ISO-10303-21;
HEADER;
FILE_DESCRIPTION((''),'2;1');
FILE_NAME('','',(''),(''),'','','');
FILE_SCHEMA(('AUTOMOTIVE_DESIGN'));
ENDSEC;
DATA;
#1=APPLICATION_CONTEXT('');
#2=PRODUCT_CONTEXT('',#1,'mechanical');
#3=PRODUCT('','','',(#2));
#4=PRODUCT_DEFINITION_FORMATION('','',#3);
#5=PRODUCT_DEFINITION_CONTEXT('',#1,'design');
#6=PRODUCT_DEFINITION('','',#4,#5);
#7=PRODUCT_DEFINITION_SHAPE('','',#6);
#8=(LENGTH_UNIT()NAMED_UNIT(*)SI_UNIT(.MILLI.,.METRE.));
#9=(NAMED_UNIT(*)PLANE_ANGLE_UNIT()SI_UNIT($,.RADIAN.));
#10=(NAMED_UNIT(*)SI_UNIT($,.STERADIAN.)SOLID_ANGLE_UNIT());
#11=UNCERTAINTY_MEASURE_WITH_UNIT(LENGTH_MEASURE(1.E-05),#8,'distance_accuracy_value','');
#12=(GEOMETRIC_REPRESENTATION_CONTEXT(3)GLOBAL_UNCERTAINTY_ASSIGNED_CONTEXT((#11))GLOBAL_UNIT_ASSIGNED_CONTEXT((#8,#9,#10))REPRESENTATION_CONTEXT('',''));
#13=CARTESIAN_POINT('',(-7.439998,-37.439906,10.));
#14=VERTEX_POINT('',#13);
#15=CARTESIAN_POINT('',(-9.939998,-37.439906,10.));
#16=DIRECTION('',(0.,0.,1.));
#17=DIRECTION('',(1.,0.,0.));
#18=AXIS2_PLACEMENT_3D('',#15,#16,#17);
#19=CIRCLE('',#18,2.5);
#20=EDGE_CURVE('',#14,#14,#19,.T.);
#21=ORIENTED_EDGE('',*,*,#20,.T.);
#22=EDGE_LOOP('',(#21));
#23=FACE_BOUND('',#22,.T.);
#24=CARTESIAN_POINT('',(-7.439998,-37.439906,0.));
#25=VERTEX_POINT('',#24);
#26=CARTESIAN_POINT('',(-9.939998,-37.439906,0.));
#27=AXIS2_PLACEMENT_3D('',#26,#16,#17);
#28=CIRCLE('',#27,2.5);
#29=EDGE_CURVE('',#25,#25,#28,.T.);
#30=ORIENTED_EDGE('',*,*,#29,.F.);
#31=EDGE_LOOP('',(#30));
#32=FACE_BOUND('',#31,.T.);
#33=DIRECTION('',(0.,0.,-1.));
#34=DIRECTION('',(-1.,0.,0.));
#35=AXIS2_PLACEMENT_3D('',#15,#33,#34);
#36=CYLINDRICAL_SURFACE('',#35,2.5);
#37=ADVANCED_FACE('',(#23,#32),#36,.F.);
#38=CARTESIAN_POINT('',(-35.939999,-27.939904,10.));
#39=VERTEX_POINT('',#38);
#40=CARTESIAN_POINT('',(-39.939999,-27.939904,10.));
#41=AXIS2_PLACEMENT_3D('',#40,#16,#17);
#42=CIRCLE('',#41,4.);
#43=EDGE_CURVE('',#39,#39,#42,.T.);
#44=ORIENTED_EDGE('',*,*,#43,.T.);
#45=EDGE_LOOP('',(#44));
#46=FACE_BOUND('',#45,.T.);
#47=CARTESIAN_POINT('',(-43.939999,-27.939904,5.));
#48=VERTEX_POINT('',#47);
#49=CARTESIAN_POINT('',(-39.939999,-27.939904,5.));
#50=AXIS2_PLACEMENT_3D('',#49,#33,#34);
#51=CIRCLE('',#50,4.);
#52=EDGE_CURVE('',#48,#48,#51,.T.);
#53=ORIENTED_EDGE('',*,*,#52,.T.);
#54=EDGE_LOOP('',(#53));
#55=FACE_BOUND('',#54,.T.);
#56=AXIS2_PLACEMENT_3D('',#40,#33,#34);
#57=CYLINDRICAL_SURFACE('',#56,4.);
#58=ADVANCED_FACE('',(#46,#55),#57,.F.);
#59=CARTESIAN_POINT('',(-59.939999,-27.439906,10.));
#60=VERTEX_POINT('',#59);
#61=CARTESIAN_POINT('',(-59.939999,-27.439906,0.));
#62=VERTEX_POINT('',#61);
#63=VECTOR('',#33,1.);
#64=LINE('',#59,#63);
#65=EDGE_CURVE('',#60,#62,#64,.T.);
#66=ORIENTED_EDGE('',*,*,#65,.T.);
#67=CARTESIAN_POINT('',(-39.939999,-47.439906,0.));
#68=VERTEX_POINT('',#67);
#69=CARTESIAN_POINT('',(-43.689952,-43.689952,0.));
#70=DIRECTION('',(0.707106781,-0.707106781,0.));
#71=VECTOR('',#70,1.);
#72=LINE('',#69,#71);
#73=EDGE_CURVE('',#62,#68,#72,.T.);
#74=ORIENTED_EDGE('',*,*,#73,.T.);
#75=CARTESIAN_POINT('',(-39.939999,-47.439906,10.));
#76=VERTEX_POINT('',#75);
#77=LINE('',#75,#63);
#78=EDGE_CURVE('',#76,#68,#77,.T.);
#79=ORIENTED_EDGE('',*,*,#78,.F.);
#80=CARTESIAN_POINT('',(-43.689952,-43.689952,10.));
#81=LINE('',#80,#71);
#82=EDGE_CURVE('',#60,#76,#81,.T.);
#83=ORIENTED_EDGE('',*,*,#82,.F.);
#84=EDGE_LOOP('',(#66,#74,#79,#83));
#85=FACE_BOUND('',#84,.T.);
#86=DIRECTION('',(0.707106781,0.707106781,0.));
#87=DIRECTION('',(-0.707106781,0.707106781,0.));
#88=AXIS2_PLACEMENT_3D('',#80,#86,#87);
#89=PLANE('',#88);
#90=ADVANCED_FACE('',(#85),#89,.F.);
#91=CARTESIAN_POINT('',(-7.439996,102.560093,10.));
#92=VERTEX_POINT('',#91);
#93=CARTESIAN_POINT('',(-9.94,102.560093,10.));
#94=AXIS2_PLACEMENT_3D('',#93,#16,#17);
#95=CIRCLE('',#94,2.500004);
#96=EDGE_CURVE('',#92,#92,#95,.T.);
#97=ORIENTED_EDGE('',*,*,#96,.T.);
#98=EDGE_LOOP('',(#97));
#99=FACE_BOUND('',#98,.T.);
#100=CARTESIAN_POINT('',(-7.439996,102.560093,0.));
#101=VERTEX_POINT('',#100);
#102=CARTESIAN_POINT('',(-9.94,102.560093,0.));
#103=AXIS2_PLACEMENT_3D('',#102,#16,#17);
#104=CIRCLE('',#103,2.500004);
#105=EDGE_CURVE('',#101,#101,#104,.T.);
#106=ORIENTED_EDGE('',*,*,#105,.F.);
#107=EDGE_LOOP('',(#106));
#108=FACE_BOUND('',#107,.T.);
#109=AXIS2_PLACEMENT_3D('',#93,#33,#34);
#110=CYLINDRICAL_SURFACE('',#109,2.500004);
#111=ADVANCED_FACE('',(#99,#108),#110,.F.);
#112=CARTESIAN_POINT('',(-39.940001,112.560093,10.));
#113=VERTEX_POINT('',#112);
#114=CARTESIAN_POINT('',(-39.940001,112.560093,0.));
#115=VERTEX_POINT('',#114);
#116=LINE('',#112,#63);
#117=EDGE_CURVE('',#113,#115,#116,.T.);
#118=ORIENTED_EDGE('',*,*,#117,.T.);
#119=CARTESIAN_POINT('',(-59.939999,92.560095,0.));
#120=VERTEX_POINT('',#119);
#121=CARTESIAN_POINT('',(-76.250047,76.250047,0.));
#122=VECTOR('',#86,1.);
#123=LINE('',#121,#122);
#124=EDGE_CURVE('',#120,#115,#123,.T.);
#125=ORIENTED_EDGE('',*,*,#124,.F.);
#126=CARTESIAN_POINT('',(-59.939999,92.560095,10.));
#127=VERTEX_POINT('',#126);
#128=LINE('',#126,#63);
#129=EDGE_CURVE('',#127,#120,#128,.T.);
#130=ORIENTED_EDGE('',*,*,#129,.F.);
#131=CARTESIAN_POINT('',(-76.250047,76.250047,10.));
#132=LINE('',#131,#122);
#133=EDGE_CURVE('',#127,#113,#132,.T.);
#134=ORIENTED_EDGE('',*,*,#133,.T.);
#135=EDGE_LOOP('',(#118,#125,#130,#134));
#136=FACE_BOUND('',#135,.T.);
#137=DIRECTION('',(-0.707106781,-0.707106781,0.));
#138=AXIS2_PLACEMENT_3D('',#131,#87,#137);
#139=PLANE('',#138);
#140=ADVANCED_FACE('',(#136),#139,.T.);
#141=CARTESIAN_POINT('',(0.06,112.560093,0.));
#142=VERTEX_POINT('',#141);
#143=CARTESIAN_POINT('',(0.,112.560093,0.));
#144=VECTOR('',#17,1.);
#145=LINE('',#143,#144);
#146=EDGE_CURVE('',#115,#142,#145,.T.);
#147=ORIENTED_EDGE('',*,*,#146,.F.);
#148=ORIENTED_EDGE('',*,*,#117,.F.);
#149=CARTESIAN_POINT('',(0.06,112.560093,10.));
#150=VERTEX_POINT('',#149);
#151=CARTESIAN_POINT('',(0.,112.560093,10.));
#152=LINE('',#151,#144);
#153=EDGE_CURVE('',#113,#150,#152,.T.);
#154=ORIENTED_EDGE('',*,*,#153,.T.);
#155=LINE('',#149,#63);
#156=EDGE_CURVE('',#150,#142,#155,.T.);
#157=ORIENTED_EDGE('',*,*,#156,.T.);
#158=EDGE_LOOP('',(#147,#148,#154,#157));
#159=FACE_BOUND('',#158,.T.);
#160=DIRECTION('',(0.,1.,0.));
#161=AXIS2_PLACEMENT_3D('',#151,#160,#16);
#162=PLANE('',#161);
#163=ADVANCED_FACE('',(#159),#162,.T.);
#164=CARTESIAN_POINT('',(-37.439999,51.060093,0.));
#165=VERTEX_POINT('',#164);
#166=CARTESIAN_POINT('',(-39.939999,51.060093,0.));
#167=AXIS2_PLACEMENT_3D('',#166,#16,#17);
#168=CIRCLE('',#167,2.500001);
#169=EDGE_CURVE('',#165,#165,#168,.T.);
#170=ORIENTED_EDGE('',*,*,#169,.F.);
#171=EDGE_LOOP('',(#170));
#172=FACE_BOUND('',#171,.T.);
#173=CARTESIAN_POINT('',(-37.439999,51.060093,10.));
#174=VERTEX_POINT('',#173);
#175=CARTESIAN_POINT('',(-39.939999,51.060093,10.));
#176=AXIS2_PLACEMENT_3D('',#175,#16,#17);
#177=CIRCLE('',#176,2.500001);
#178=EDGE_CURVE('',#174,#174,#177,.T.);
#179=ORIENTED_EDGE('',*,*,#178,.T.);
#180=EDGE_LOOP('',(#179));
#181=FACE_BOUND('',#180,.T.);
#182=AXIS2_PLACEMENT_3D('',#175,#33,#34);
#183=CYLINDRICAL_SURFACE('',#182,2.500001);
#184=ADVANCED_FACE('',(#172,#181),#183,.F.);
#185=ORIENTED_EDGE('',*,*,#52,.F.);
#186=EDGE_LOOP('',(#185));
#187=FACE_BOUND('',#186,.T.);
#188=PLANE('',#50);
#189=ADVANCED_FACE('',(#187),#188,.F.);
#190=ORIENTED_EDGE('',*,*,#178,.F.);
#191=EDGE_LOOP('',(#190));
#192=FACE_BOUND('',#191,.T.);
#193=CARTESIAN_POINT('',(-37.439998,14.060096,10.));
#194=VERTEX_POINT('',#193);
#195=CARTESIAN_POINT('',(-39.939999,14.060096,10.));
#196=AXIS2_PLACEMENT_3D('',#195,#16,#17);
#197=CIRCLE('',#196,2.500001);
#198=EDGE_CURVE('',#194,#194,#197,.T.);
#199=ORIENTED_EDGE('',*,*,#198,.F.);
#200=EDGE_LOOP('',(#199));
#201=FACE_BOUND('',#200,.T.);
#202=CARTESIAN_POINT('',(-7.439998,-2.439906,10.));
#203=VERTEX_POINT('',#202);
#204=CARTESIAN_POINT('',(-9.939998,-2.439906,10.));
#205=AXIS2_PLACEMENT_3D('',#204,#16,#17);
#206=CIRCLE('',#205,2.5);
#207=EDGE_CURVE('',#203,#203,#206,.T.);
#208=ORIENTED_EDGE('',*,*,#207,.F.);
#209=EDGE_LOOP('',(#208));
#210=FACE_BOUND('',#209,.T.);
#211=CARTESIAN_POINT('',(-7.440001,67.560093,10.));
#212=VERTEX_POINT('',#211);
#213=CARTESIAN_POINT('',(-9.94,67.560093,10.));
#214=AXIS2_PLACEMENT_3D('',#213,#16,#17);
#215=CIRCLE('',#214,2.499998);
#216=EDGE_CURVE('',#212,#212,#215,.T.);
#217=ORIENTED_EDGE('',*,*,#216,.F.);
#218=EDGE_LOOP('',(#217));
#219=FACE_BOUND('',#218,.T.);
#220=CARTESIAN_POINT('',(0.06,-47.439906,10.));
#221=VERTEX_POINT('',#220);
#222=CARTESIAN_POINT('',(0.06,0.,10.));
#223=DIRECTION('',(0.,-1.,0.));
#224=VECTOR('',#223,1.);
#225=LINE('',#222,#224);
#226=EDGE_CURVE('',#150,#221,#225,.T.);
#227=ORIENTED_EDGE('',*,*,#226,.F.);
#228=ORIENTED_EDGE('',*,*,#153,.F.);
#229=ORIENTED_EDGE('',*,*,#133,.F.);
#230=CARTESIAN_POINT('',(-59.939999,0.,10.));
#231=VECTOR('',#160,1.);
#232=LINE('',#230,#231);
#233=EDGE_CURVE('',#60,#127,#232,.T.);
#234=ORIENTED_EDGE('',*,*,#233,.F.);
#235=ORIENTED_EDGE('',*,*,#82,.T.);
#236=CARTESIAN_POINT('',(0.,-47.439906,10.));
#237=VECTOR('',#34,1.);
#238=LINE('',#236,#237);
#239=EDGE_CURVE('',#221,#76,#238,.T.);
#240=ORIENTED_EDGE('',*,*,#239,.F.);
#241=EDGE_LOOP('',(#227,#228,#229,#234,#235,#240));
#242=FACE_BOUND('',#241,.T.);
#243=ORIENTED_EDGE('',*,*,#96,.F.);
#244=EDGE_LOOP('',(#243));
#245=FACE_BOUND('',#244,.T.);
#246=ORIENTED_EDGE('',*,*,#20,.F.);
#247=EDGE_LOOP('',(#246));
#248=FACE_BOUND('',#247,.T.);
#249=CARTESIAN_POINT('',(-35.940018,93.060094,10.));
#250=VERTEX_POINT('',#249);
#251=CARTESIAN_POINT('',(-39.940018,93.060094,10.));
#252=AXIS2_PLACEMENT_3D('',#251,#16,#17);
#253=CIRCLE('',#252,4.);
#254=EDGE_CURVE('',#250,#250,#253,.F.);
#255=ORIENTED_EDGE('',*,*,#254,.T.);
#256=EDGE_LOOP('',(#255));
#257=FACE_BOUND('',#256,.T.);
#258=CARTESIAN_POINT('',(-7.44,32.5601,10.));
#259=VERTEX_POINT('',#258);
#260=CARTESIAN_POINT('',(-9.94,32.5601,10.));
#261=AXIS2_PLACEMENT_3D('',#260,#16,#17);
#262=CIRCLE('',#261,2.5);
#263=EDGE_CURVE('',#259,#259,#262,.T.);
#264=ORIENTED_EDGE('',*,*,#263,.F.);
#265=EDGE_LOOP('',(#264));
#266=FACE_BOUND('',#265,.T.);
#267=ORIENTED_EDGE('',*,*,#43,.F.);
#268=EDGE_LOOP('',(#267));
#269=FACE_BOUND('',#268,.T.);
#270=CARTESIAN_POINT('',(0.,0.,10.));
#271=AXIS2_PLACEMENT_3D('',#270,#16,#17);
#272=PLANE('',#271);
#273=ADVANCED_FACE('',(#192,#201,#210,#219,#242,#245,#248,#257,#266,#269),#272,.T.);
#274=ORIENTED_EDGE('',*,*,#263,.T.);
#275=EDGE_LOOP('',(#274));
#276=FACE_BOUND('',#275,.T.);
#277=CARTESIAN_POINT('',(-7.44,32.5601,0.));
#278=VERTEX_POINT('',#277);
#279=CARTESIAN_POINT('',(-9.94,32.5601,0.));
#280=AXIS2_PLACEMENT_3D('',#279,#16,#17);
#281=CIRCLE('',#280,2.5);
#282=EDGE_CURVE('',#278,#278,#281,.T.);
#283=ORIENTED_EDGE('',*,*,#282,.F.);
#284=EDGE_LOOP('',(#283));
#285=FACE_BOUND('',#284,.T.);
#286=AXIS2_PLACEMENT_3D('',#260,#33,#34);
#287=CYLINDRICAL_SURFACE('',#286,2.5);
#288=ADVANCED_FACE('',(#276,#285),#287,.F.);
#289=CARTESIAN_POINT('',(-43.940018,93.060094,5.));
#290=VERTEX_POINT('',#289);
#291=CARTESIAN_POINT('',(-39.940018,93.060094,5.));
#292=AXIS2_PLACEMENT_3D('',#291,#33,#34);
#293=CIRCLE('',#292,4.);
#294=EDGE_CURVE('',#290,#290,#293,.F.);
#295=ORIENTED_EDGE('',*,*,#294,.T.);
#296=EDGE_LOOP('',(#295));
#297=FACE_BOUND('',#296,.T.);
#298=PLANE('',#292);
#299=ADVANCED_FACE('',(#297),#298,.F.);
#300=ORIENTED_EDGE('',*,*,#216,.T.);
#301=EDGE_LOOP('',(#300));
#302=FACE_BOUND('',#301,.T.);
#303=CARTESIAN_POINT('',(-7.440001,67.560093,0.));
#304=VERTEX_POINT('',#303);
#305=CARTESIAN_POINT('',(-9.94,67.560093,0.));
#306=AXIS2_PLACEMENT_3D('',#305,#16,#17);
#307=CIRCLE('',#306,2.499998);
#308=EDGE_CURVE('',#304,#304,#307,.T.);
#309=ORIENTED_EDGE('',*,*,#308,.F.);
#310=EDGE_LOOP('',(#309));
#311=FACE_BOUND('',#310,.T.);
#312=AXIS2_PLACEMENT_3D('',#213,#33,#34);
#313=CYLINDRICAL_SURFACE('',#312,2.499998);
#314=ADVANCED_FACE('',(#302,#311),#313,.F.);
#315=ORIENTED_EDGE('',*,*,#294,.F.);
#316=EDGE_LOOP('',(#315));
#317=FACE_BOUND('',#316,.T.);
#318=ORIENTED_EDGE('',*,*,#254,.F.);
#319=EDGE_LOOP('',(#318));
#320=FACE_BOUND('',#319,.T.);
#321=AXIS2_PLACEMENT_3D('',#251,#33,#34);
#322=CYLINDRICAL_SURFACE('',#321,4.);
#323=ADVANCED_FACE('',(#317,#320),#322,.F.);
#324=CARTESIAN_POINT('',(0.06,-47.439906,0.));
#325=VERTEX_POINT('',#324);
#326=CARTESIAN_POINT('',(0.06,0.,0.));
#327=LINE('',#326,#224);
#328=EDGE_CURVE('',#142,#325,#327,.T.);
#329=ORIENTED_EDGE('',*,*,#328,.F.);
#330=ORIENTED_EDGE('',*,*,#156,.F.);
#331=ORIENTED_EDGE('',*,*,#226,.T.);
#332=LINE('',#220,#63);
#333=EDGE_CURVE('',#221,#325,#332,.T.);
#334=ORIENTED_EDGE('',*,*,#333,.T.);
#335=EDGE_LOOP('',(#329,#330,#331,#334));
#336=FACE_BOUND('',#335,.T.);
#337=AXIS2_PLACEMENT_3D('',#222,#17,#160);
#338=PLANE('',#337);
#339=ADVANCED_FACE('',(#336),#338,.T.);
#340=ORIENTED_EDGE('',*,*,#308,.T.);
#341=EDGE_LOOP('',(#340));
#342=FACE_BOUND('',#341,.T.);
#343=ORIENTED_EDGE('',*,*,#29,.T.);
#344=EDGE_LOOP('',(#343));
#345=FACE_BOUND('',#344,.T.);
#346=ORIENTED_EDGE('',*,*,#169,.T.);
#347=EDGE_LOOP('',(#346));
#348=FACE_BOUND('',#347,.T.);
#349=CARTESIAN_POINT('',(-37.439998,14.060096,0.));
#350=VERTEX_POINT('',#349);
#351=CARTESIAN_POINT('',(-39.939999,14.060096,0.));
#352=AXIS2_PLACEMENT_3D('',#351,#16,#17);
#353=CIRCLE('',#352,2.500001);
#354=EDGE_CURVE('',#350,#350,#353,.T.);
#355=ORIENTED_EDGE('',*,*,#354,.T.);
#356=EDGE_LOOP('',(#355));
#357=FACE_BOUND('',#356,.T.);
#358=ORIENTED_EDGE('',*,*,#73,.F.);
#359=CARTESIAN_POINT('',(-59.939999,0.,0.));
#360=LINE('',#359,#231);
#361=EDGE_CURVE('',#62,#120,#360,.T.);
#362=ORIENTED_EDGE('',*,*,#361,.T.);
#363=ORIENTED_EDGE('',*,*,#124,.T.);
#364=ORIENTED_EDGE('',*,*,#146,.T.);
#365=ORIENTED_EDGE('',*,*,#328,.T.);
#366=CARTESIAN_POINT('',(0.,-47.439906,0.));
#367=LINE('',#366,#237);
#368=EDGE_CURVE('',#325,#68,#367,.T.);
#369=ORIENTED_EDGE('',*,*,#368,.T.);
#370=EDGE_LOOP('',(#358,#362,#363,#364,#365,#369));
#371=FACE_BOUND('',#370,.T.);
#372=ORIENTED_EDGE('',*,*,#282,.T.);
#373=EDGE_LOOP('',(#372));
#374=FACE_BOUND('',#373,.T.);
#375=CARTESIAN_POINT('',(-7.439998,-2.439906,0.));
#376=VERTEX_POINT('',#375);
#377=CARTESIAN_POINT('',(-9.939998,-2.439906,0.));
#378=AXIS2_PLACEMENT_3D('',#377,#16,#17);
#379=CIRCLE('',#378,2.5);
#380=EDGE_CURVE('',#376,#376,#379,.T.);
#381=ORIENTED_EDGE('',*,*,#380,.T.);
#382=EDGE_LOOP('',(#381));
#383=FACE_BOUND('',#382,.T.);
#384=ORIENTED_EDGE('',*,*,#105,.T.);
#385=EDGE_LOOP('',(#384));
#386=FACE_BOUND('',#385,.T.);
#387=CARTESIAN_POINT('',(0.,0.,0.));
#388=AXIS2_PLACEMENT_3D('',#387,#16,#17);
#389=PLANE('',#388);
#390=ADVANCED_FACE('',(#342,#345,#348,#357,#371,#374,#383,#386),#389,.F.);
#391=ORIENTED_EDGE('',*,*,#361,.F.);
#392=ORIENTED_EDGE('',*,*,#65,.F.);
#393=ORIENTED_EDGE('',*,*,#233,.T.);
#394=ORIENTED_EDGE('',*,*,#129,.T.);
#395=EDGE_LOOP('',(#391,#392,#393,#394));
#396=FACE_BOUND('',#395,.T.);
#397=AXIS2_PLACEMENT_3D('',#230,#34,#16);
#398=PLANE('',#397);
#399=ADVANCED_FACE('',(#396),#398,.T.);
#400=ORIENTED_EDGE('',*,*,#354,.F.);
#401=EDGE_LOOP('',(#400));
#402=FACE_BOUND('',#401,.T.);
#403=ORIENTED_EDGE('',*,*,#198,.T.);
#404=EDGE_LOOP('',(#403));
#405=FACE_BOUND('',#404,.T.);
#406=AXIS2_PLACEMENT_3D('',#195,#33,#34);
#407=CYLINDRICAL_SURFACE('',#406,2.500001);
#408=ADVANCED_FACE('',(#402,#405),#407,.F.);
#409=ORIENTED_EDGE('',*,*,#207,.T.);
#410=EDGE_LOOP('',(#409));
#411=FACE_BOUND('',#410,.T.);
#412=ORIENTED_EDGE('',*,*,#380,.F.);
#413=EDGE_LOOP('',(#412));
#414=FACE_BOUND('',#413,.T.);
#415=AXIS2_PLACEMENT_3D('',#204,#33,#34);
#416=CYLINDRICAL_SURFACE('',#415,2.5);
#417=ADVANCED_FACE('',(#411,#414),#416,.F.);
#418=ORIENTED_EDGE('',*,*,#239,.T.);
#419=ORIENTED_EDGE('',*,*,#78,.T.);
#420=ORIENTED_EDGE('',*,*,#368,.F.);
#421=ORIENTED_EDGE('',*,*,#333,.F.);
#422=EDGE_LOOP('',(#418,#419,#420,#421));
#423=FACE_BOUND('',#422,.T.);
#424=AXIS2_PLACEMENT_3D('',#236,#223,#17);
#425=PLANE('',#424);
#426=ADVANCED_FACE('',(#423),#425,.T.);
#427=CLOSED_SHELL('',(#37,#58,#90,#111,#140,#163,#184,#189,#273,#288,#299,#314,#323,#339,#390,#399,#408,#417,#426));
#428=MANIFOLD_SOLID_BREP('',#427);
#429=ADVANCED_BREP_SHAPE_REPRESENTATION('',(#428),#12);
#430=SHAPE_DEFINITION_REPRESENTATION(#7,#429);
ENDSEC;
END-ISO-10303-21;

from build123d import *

# Parameters (mm, degrees)
ESBO_O1_R                = 2.500003623
ESBO_O1_R_2              = 2.499998411
ESBO_O1_R_3              = 2.500000084
ESBO_O1_R_4              = 2.500000523
ESBO_O1_R_5              = 2.500001341
ESBO_O1_R_6              = 2.499999924
ESBO_O1_R_7              = 2.500000177
ESBO_O1_R_8              = 4
RESSALTO_EXTRUS_O1_DEPTH = 10
ESBO_O2_R                = 4
RESSALTO_EXTRUS_O2_DEPTH = 5


with BuildPart() as part:
    # Esboço1 → Ressalto-extrusão1 (new body)
    with BuildSketch(Plane.XY):
        Polygon((0.059999999, 112.560092658), (0.059999999, -47.439905629), (-39.939999107, -47.439905629), (-59.93999866, -27.439906076), (-59.93999866, 92.560094967), (-39.94000097, 112.560092658), align=None)
        with Locations((-9.939999778, 102.560092881)):
            Circle(ESBO_O1_R, mode=Mode.SUBTRACT)
        with Locations((-9.939999778, 67.560092732)):
            Circle(ESBO_O1_R_2, mode=Mode.SUBTRACT)
        with Locations((-9.939999778, 32.560099544)):
            Circle(ESBO_O1_R_3, mode=Mode.SUBTRACT)
        with Locations((-39.939999107, 51.060092822)):
            Circle(ESBO_O1_R_4, mode=Mode.SUBTRACT)
        with Locations((-39.939999107, 14.06009607)):
            Circle(ESBO_O1_R_5, mode=Mode.SUBTRACT)
        with Locations((-9.939997915, -2.439905703)):
            Circle(ESBO_O1_R_6, mode=Mode.SUBTRACT)
        with Locations((-9.939997915, -37.439905619)):
            Circle(ESBO_O1_R_7, mode=Mode.SUBTRACT)
        with Locations((-39.939999107, -27.93990393)):
            Circle(ESBO_O1_R_8, mode=Mode.SUBTRACT)
        with Locations((-39.94001777, 93.060093764)):
            Circle(ESBO_O1_R_8, mode=Mode.SUBTRACT)
    extrude(amount=RESSALTO_EXTRUS_O1_DEPTH)

    # Esboço2 → Ressalto-extrusão2 (add)
    with BuildSketch(Plane(origin=(0, 0, 0), x_dir=(-1, 0, 0), z_dir=(0, 0, -1))):
        with Locations((39.94001777, 93.060093764)):
            Circle(ESBO_O2_R)
        with Locations((39.939999107, -27.93990393)):
            Circle(ESBO_O2_R)
    extrude(amount=-RESSALTO_EXTRUS_O2_DEPTH)


solid = part.part
